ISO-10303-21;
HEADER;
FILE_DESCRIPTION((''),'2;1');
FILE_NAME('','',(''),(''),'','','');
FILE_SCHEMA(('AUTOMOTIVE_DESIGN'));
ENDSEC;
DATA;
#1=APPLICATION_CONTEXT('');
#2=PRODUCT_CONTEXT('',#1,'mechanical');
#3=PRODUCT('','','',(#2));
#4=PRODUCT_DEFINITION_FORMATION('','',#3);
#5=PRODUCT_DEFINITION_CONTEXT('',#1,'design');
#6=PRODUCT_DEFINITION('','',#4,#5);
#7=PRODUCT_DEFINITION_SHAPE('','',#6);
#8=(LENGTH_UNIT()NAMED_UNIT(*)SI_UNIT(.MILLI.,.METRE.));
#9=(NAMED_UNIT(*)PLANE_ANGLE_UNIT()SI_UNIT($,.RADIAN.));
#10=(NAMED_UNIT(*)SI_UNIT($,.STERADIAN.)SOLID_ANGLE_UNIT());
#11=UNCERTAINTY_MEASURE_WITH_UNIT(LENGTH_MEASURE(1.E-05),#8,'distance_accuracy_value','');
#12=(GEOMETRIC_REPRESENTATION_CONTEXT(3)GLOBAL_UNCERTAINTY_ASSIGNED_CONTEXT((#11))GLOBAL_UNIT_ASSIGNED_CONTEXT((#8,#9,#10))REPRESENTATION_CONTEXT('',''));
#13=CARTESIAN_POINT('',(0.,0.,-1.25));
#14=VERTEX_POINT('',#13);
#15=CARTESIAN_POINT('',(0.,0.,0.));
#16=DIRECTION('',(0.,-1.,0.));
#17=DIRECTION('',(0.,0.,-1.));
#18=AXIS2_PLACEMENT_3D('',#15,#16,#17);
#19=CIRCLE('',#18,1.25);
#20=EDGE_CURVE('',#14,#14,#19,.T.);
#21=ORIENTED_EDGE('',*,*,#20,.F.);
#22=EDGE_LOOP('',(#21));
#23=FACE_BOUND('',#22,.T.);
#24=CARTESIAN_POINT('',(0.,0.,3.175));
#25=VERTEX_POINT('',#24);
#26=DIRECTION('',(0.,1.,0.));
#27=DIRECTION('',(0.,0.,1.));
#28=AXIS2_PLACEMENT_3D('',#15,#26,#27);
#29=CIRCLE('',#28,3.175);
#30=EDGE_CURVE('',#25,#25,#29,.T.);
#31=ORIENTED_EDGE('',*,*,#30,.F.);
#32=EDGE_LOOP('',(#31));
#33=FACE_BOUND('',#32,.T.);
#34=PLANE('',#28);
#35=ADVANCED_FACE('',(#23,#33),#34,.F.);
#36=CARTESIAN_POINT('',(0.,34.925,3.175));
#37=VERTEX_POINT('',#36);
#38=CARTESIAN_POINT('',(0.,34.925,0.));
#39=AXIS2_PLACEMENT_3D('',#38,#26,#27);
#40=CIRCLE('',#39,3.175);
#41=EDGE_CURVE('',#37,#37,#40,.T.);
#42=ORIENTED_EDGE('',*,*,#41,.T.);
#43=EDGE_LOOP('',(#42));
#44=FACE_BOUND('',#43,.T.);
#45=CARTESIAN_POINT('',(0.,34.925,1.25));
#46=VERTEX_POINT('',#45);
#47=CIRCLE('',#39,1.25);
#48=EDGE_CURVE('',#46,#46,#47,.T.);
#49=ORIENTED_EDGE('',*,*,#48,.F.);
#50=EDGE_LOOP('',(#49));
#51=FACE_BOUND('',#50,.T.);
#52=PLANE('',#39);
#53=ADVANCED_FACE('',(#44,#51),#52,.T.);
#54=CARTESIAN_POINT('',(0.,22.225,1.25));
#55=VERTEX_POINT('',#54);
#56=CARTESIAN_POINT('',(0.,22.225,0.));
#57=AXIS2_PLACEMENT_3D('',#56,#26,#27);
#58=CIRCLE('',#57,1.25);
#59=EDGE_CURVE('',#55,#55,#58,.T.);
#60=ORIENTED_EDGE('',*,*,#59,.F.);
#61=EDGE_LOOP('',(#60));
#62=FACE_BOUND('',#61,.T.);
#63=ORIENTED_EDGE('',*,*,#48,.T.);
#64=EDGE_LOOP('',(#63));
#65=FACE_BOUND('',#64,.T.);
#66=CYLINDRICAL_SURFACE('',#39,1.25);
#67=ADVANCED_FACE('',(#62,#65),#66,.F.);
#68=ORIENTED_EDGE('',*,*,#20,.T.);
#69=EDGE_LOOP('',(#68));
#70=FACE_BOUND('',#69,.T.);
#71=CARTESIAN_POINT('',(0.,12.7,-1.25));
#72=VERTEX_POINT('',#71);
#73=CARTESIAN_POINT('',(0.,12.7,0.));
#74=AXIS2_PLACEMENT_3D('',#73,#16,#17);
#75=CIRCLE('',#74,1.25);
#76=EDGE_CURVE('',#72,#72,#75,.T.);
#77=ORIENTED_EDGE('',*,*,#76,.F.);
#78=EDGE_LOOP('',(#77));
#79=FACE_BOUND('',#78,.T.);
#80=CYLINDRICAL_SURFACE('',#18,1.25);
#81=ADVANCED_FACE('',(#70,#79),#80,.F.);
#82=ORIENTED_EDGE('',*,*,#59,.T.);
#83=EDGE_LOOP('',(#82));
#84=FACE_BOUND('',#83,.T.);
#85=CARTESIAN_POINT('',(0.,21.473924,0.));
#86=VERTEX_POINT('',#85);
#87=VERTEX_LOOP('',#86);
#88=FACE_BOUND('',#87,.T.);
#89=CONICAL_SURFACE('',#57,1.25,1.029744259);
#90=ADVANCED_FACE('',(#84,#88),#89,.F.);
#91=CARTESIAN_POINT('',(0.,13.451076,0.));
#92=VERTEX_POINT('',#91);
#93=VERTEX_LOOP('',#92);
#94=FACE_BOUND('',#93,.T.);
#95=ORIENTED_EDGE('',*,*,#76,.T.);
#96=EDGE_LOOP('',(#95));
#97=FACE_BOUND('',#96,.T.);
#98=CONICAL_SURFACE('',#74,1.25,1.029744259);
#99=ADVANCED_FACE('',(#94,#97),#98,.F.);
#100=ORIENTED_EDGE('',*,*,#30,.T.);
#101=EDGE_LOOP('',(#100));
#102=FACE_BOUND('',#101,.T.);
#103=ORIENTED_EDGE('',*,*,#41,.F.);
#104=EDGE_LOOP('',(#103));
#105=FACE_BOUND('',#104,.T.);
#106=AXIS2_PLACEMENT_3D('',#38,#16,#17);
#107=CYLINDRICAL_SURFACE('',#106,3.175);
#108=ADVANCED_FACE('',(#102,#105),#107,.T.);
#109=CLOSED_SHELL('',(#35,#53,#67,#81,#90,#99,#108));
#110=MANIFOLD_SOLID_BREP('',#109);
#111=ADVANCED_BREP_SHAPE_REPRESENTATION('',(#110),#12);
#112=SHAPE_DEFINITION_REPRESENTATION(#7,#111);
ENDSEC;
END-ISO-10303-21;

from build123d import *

# Parameters (mm, degrees)
SKETCH1_R                 = 3.175
BOSS_EXTRUDE1_DEPTH       = 34.925
M3X0_5_TAPPED_HOLE1_D     = 2.5
M3X0_5_TAPPED_HOLE1_DEPTH = 12.7
M3X0_5_TAPPED_HOLE1_TIP   = 0.751075774
M3X0_5_TAPPED_HOLE2_D     = 2.5
M3X0_5_TAPPED_HOLE2_DEPTH = 12.7
M3X0_5_TAPPED_HOLE2_TIP   = 0.751075774


with BuildPart() as part:
    # Sketch1 → Boss-Extrude1 (new body)
    with BuildSketch(Plane(origin=(0, 0, 0), x_dir=(1, 0, 0), z_dir=(0, 1, 0))):
        Circle(SKETCH1_R)
    extrude(amount=BOSS_EXTRUDE1_DEPTH)

    # M3x0.5 Tapped Hole1
    with Locations(Plane(origin=(0, 34.925, 0), x_dir=(1, 0, 0), z_dir=(0, 1, 0))):
        with Locations((0, 0)):
            Hole(M3X0_5_TAPPED_HOLE1_D / 2, depth=M3X0_5_TAPPED_HOLE1_DEPTH)
            with Locations((0, 0, -(M3X0_5_TAPPED_HOLE1_DEPTH + M3X0_5_TAPPED_HOLE1_TIP / 2))):  # 118° drill point
                Cone(0, M3X0_5_TAPPED_HOLE1_D / 2, M3X0_5_TAPPED_HOLE1_TIP, mode=Mode.SUBTRACT)

    # M3x0.5 Tapped Hole2
    with Locations(Plane(origin=(0, 0, 0), x_dir=(-1, 0, 0), z_dir=(0, -1, 0))):
        with Locations((0, 0)):
            Hole(M3X0_5_TAPPED_HOLE2_D / 2, depth=M3X0_5_TAPPED_HOLE2_DEPTH)
            with Locations((0, 0, -(M3X0_5_TAPPED_HOLE2_DEPTH + M3X0_5_TAPPED_HOLE2_TIP / 2))):  # 118° drill point
                Cone(0, M3X0_5_TAPPED_HOLE2_D / 2, M3X0_5_TAPPED_HOLE2_TIP, mode=Mode.SUBTRACT)


solid = part.part
